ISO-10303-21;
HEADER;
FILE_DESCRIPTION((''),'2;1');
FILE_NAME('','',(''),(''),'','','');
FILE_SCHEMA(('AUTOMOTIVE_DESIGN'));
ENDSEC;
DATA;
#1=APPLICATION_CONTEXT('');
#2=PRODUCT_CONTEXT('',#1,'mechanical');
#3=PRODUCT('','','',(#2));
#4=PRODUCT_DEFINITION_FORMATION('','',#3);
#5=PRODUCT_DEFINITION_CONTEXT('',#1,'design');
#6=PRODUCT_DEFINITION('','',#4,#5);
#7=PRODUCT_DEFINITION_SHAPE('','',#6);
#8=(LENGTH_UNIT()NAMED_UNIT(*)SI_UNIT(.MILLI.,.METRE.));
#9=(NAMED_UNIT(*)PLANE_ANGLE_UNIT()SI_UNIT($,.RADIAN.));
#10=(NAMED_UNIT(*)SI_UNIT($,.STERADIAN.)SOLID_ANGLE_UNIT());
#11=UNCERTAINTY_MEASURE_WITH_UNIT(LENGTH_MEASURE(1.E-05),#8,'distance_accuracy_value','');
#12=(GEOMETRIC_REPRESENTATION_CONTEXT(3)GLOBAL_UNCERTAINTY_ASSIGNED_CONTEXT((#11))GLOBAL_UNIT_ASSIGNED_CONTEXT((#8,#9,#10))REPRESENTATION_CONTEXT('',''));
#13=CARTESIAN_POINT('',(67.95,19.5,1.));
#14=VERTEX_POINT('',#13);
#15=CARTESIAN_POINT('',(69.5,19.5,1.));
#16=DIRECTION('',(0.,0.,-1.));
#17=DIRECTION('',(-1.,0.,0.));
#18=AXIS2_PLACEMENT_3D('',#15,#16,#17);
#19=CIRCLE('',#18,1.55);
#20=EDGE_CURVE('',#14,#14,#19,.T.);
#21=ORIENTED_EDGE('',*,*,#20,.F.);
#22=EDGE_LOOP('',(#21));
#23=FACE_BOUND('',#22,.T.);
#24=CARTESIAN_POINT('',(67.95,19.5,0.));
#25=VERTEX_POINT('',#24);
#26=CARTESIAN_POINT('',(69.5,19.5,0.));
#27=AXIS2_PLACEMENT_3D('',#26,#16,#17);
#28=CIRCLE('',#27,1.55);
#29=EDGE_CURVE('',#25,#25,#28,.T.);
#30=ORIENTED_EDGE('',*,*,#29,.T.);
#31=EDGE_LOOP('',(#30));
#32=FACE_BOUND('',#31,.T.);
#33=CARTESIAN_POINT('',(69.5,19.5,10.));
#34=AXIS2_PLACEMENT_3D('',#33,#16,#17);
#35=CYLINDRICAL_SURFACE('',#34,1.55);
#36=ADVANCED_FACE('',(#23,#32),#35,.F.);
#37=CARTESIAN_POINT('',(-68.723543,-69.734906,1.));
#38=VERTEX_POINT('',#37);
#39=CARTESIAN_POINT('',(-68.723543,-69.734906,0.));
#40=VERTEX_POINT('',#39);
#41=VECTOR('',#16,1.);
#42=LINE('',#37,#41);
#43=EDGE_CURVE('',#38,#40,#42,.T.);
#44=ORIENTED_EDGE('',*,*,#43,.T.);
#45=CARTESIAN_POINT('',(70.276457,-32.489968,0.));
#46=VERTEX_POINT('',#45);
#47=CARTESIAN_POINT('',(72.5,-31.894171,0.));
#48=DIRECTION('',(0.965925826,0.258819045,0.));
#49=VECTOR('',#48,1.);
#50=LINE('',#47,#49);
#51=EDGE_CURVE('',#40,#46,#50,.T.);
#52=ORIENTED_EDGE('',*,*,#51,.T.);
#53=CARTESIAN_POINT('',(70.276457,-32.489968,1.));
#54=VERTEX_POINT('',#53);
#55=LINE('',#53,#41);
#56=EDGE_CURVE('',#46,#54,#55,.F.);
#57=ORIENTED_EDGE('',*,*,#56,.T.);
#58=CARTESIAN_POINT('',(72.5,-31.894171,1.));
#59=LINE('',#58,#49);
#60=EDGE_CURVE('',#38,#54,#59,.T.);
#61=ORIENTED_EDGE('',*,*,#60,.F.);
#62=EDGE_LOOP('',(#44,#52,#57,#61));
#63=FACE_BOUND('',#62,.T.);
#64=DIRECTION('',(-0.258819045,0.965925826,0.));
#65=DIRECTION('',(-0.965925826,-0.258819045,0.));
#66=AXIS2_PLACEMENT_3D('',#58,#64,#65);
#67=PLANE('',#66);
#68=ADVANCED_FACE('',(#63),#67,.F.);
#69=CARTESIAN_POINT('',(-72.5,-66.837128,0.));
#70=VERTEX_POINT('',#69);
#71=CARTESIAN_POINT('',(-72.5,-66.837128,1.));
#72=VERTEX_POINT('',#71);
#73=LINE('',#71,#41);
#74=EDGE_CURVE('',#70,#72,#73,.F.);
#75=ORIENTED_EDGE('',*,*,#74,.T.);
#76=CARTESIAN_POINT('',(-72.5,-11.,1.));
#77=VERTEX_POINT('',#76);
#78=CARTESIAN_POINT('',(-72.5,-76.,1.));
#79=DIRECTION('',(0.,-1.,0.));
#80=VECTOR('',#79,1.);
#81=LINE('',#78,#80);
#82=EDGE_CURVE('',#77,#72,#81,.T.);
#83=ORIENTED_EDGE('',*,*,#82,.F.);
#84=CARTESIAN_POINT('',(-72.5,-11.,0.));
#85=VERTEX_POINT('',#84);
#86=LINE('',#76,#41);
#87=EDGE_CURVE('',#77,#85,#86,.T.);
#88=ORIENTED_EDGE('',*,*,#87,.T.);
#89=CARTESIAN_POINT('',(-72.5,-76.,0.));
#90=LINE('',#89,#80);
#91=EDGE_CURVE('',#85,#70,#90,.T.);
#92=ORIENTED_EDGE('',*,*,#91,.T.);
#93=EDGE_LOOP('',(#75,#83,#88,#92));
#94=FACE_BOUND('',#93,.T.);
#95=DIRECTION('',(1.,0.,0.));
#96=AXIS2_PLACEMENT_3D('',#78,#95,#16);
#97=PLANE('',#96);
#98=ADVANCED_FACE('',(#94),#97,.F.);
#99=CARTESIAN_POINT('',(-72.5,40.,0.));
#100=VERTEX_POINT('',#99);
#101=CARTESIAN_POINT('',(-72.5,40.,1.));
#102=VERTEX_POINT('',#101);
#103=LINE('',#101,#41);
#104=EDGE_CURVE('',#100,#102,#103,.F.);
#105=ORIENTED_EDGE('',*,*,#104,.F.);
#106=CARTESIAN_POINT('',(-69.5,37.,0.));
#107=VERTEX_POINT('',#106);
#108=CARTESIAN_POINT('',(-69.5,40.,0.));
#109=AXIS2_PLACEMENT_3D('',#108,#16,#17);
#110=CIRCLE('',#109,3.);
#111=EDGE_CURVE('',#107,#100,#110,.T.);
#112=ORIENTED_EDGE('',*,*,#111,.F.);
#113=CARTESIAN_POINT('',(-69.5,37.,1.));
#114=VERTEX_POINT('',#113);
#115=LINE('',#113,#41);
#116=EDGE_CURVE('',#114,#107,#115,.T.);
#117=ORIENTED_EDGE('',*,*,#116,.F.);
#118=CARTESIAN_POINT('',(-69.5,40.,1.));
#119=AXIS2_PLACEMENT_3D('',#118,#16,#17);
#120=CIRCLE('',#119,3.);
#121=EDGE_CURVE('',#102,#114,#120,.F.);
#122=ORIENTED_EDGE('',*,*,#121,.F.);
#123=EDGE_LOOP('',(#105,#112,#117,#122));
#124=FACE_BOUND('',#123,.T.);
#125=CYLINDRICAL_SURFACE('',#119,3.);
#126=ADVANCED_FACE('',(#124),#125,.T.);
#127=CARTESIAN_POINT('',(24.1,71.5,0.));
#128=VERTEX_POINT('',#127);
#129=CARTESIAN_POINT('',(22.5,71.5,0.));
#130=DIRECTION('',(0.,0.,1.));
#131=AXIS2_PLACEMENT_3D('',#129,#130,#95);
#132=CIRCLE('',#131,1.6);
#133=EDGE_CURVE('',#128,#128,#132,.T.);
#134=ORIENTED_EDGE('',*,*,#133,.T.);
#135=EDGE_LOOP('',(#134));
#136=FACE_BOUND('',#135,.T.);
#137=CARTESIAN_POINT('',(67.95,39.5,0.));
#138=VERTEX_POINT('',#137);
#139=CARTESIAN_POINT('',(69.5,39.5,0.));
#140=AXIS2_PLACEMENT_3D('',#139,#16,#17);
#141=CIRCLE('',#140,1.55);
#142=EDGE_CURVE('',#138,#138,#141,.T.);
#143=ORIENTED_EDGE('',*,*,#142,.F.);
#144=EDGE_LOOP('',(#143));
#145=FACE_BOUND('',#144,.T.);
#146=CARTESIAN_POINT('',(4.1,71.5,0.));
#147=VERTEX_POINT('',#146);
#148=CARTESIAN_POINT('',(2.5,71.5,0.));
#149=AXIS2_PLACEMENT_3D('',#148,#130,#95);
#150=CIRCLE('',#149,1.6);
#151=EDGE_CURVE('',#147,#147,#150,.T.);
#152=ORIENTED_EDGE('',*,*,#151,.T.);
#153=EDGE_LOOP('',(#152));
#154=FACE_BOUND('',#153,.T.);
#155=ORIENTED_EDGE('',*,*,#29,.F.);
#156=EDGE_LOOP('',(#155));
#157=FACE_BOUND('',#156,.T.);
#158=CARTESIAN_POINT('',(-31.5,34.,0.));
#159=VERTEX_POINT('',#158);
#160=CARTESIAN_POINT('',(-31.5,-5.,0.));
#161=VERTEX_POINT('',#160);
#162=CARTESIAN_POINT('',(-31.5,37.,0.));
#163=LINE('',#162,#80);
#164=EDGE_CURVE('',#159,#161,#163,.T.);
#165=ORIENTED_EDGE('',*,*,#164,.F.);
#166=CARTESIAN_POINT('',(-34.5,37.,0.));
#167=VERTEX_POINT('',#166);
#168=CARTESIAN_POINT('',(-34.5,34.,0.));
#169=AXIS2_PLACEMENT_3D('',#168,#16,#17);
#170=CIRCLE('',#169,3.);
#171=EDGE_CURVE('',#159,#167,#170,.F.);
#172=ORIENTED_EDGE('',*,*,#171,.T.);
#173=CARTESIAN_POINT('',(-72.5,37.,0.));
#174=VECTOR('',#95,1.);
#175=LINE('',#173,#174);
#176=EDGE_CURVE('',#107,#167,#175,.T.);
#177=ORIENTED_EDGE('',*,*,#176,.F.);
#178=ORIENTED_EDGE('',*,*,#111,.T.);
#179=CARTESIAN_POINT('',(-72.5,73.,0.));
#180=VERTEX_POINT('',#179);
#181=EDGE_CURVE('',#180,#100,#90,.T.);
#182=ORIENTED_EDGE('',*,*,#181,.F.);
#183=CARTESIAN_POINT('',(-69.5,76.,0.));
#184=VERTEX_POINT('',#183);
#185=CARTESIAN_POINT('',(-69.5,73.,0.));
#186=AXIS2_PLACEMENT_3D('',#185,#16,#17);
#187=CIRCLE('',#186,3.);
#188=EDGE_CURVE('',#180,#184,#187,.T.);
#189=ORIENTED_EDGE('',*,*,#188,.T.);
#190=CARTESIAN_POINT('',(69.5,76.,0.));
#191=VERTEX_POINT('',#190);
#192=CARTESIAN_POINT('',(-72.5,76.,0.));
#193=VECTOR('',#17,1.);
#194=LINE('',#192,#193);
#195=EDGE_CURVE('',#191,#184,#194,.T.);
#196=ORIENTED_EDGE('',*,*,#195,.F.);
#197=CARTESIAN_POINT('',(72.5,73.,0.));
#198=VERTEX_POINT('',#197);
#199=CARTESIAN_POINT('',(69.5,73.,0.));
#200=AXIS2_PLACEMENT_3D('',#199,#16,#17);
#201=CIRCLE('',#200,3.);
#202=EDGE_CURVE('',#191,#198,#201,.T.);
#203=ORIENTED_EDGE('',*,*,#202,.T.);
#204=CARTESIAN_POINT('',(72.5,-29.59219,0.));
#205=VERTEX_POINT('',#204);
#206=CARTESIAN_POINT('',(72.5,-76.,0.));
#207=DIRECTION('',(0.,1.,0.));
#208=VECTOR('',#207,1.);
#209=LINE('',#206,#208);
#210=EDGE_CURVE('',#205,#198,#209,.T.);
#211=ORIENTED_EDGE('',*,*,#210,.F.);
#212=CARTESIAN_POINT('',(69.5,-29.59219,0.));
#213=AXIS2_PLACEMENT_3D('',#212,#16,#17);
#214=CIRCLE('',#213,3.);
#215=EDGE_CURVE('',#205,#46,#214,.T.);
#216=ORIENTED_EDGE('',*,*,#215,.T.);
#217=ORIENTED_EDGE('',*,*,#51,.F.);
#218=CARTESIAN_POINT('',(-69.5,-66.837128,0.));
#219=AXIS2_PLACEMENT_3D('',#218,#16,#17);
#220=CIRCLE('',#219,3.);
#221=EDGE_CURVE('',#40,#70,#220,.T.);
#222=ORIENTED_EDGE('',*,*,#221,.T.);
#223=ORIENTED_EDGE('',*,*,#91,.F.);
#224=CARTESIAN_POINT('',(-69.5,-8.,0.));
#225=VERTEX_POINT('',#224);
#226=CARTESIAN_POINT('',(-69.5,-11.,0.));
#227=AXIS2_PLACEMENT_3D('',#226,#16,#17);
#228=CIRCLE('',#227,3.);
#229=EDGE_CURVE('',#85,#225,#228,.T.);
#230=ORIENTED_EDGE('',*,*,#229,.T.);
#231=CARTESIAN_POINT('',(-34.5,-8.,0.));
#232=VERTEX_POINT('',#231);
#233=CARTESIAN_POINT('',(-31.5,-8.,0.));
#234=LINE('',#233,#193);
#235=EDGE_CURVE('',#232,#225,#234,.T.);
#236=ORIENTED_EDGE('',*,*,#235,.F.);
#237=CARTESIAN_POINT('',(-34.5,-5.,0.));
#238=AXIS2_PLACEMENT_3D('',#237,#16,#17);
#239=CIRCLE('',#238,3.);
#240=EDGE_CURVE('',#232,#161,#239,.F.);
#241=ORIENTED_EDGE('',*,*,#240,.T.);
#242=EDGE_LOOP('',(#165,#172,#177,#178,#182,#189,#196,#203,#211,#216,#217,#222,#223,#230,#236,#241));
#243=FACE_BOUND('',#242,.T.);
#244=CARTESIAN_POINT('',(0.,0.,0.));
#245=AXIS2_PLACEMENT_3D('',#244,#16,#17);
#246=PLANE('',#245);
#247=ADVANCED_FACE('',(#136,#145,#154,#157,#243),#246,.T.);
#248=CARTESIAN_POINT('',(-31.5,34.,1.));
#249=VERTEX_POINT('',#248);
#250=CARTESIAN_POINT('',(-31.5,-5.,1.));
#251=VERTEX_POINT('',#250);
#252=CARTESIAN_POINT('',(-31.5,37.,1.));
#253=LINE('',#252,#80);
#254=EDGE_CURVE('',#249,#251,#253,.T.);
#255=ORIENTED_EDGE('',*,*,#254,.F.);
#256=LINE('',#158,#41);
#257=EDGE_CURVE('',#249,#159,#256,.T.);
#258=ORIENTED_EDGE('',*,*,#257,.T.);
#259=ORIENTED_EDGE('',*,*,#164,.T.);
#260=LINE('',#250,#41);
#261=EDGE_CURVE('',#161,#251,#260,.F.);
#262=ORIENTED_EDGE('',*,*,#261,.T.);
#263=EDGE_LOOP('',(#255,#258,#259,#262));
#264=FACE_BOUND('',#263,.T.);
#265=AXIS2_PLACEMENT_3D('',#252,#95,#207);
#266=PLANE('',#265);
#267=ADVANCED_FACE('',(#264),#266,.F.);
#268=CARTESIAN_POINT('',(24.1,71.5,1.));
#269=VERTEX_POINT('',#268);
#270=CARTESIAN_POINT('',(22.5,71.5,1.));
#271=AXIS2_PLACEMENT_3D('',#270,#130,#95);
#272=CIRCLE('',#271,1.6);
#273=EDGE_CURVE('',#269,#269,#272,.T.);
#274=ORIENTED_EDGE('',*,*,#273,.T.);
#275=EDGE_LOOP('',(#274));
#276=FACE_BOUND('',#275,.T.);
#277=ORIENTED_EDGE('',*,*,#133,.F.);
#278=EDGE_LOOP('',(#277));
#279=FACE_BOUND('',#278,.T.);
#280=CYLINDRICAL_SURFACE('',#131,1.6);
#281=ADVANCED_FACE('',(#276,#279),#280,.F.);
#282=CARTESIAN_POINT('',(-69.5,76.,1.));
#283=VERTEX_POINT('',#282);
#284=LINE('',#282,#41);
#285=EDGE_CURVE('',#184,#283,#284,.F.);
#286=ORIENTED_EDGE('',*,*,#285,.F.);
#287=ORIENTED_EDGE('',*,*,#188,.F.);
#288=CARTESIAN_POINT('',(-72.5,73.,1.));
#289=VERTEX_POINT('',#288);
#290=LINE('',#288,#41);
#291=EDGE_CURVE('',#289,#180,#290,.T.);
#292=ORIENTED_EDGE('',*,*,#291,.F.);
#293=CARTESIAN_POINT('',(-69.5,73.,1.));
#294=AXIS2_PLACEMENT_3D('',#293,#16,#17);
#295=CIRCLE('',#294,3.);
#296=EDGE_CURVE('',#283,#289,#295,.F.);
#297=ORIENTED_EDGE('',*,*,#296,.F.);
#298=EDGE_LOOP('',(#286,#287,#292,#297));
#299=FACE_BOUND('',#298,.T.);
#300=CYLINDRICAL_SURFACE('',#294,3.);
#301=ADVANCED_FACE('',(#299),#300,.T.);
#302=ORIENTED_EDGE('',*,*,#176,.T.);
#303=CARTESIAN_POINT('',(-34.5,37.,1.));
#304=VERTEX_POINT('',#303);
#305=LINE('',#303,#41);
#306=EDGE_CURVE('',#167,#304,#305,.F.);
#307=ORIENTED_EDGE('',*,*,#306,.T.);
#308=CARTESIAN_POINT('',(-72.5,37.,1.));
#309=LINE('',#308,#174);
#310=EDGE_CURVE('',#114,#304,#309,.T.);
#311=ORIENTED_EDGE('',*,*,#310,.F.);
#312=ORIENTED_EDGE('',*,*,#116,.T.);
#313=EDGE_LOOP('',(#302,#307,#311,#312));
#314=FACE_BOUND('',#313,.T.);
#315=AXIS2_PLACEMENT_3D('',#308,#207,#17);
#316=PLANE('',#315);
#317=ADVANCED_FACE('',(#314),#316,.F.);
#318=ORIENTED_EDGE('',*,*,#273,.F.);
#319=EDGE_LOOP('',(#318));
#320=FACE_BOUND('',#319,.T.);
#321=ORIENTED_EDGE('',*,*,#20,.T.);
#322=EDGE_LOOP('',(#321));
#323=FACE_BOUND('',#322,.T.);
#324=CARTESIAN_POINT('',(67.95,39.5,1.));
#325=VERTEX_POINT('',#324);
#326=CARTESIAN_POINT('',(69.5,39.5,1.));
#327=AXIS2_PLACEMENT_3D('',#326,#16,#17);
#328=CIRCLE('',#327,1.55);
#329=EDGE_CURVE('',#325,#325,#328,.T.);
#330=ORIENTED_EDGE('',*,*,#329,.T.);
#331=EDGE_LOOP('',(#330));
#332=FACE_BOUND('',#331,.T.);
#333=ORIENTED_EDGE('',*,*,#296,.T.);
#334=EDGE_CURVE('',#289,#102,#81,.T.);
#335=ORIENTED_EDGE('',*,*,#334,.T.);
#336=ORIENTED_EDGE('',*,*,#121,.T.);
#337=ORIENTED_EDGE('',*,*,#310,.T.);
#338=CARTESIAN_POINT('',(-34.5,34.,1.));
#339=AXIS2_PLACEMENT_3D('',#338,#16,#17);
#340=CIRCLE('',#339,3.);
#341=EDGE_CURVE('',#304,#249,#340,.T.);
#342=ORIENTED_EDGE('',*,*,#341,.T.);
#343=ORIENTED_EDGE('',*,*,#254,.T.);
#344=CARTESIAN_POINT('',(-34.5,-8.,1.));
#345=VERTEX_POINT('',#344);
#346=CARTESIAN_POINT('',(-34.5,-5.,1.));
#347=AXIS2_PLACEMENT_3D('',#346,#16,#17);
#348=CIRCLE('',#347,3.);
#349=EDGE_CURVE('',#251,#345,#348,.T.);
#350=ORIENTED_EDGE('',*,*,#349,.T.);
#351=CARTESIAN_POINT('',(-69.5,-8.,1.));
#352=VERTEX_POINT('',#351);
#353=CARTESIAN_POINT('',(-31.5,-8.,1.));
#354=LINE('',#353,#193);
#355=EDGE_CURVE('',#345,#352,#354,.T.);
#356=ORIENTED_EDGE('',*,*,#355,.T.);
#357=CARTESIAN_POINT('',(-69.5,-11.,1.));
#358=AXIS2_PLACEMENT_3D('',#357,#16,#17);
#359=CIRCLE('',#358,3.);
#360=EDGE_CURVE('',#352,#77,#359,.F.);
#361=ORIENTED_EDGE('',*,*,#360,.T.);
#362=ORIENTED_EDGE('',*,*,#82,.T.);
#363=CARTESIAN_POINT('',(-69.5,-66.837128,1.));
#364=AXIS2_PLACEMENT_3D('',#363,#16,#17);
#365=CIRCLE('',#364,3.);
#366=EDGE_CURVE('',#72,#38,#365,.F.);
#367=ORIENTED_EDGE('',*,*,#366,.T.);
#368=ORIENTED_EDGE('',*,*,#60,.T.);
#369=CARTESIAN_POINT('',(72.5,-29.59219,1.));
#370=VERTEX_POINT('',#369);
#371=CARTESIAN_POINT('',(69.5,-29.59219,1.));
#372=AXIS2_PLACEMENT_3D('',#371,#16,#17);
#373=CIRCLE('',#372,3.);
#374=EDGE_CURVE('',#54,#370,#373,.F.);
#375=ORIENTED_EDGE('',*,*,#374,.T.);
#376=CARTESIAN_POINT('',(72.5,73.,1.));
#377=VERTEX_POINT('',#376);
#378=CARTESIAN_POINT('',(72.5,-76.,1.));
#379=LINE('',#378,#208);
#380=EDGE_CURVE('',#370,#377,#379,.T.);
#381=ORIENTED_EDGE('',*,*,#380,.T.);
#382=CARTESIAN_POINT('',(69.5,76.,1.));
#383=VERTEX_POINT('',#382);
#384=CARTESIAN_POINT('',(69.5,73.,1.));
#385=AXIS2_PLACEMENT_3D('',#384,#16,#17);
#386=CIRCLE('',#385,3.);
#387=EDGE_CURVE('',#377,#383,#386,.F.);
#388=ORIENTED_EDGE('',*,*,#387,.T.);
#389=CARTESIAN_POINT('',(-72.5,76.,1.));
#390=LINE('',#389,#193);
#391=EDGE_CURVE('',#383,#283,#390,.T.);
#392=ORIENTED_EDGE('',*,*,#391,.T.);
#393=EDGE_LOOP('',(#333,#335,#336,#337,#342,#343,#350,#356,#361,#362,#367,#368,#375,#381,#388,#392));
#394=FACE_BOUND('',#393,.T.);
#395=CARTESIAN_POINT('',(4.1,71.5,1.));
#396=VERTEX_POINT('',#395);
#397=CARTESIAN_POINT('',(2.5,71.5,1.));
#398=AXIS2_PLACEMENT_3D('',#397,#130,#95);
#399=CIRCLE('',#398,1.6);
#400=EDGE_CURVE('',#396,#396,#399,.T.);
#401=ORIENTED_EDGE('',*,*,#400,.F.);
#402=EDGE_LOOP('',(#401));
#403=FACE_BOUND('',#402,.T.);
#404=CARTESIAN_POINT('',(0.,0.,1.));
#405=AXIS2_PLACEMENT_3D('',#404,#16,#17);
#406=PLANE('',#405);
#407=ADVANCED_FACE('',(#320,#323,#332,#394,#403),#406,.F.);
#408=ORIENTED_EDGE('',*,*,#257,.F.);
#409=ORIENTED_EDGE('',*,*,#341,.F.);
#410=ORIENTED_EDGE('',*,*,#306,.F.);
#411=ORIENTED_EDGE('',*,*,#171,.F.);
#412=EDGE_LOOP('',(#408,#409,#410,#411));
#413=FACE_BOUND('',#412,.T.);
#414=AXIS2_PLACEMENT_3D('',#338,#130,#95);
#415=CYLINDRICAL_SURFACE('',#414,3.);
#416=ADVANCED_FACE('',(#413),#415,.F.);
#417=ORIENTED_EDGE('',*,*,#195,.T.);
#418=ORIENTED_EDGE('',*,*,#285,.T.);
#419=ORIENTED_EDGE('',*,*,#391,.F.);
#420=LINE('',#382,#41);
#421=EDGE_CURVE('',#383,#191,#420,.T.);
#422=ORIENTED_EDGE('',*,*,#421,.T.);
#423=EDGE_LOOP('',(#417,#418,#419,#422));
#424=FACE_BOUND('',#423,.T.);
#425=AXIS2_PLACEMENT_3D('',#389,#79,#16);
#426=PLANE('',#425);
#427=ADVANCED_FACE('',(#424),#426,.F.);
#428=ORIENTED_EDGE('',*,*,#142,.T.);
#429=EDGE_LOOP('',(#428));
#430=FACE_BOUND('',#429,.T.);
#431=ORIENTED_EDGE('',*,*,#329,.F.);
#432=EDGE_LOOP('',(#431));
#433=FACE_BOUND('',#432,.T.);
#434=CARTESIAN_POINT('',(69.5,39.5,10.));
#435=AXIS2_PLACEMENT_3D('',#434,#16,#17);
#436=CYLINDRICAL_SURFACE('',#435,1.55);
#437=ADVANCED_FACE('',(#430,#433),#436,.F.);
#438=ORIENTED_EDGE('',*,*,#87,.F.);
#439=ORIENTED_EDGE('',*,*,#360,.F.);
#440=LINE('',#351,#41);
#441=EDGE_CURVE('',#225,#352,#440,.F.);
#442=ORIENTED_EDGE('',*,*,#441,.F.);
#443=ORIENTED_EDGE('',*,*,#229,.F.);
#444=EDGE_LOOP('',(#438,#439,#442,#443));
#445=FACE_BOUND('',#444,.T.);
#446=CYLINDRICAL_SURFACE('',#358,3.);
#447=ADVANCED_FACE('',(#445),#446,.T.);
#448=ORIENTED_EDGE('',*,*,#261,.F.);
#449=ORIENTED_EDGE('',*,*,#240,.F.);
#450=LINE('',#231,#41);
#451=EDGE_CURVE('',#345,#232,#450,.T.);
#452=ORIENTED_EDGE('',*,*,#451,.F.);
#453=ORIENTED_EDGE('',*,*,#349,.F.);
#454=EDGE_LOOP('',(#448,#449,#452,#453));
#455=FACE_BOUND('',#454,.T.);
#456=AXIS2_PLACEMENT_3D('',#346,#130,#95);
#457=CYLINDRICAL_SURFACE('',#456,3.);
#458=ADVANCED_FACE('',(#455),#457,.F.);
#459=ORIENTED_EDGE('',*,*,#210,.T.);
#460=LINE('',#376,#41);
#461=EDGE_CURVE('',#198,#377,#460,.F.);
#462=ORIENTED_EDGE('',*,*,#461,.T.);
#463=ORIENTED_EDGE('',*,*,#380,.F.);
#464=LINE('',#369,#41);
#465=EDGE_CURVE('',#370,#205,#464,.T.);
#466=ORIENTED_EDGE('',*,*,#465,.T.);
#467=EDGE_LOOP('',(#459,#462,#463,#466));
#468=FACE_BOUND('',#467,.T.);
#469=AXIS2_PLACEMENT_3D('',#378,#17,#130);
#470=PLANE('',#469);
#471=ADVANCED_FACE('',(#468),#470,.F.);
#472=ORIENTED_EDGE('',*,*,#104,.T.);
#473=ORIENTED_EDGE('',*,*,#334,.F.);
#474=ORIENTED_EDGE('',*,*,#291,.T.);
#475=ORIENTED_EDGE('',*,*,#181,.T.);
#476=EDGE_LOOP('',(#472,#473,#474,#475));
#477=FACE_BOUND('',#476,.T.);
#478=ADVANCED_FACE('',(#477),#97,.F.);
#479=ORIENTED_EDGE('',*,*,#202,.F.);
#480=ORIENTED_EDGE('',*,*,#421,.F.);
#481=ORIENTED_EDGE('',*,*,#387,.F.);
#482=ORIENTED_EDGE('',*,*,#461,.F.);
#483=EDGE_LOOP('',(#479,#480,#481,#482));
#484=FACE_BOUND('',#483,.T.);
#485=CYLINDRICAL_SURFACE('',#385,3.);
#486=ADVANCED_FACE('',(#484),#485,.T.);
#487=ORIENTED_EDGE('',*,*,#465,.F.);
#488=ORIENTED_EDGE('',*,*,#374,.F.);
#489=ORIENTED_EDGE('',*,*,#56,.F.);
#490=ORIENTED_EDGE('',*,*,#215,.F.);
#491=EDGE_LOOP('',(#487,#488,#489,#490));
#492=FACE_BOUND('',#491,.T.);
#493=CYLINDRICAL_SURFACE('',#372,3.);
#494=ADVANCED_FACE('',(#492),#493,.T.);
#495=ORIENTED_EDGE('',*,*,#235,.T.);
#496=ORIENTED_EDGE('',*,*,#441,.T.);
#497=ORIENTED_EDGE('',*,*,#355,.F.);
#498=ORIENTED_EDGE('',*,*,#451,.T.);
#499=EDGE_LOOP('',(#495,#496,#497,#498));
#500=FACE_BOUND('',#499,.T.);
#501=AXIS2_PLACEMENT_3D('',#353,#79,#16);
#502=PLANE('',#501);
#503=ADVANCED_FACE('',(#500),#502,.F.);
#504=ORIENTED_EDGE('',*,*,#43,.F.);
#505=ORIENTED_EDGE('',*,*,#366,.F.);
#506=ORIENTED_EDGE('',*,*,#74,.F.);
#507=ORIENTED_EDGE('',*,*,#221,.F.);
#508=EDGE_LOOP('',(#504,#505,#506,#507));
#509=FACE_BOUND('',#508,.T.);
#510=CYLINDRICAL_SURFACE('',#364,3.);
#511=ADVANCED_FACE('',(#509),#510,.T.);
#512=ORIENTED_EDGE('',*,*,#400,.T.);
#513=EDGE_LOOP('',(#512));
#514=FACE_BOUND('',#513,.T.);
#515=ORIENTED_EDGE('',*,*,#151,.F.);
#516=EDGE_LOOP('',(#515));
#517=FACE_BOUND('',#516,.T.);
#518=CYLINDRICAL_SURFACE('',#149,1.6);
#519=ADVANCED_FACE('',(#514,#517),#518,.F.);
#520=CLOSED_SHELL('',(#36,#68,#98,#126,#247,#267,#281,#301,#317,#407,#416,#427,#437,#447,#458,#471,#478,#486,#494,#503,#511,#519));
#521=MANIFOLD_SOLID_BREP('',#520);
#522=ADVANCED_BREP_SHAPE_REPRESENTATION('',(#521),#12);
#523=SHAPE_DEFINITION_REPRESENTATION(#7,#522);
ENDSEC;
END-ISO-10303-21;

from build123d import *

# Parameters (mm, degrees)
SKETCH_1_W          = 145
SKETCH_1_H          = 152
EXTRUDE_1_DEPTH     = 1
SKETCH_2_W          = 41
SKETCH_2_H          = 45
CUT_EXTRUDE_1_DEPTH = 1
SKETCH_3_R          = 1.6
CUT_EXTRUDE_2_DEPTH = 1
FILLET_1_R          = 3
SKETCH_7_R          = 1.55
CUT_EXTRUDE_6_DEPTH = 10


with BuildPart() as part:
    # 草图1 → 凸台-拉伸1 (new body)
    with BuildSketch(Plane.XY):
        Rectangle(SKETCH_1_W, SKETCH_1_H)
    extrude(amount=EXTRUDE_1_DEPTH)

    # 草图2 → 切除-拉伸1 (cut)
    with BuildSketch(Plane(origin=(0, 0, 0), x_dir=(-1, 0, 0), z_dir=(0, 0, -1))):
        with Locations((52, 14.5)):
            Rectangle(SKETCH_2_W, SKETCH_2_H)
        Polygon((-72.5, -31.894171459), (72.5, -70.746804361), (72.5, -76), (-72.5, -76), align=None)
    extrude(amount=-CUT_EXTRUDE_1_DEPTH, mode=Mode.SUBTRACT)

    # 草图3 → 切除-拉伸2 (cut)
    with BuildSketch(Plane.XY.offset(1)):
        with Locations((2.5, 71.5)):
            Circle(SKETCH_3_R)
        with Locations((22.5, 71.5)):
            Circle(SKETCH_3_R)
    extrude(amount=-CUT_EXTRUDE_2_DEPTH, mode=Mode.SUBTRACT)

    # 圆角1
    fillet_1_edges = [part.edges().sort_by_distance(p)[0] for p in [
        (72.5, -31.894171459, 0.5),
        (-72.5, -70.746804361, 0.5),
        (-72.5, -8, 0.5),
        (-31.5, -8, 0.5),
        (-31.5, 37, 0.5),
        (-72.5, 37, 0.5),
        (-72.5, 76, 0.5),
        (72.5, 76, 0.5),
    ]]
    fillet(fillet_1_edges, radius=FILLET_1_R)

    # 草图7 → 切除-拉伸6 (cut)
    with BuildSketch(Plane(origin=(0, 0, 0), x_dir=(-1, 0, 0), z_dir=(0, 0, -1))):
        with Locations((-69.5, 39.5)):
            Circle(SKETCH_7_R)
        with Locations((-69.5, 19.5)):
            Circle(SKETCH_7_R)
    extrude(amount=-CUT_EXTRUDE_6_DEPTH, mode=Mode.SUBTRACT)


solid = part.part
